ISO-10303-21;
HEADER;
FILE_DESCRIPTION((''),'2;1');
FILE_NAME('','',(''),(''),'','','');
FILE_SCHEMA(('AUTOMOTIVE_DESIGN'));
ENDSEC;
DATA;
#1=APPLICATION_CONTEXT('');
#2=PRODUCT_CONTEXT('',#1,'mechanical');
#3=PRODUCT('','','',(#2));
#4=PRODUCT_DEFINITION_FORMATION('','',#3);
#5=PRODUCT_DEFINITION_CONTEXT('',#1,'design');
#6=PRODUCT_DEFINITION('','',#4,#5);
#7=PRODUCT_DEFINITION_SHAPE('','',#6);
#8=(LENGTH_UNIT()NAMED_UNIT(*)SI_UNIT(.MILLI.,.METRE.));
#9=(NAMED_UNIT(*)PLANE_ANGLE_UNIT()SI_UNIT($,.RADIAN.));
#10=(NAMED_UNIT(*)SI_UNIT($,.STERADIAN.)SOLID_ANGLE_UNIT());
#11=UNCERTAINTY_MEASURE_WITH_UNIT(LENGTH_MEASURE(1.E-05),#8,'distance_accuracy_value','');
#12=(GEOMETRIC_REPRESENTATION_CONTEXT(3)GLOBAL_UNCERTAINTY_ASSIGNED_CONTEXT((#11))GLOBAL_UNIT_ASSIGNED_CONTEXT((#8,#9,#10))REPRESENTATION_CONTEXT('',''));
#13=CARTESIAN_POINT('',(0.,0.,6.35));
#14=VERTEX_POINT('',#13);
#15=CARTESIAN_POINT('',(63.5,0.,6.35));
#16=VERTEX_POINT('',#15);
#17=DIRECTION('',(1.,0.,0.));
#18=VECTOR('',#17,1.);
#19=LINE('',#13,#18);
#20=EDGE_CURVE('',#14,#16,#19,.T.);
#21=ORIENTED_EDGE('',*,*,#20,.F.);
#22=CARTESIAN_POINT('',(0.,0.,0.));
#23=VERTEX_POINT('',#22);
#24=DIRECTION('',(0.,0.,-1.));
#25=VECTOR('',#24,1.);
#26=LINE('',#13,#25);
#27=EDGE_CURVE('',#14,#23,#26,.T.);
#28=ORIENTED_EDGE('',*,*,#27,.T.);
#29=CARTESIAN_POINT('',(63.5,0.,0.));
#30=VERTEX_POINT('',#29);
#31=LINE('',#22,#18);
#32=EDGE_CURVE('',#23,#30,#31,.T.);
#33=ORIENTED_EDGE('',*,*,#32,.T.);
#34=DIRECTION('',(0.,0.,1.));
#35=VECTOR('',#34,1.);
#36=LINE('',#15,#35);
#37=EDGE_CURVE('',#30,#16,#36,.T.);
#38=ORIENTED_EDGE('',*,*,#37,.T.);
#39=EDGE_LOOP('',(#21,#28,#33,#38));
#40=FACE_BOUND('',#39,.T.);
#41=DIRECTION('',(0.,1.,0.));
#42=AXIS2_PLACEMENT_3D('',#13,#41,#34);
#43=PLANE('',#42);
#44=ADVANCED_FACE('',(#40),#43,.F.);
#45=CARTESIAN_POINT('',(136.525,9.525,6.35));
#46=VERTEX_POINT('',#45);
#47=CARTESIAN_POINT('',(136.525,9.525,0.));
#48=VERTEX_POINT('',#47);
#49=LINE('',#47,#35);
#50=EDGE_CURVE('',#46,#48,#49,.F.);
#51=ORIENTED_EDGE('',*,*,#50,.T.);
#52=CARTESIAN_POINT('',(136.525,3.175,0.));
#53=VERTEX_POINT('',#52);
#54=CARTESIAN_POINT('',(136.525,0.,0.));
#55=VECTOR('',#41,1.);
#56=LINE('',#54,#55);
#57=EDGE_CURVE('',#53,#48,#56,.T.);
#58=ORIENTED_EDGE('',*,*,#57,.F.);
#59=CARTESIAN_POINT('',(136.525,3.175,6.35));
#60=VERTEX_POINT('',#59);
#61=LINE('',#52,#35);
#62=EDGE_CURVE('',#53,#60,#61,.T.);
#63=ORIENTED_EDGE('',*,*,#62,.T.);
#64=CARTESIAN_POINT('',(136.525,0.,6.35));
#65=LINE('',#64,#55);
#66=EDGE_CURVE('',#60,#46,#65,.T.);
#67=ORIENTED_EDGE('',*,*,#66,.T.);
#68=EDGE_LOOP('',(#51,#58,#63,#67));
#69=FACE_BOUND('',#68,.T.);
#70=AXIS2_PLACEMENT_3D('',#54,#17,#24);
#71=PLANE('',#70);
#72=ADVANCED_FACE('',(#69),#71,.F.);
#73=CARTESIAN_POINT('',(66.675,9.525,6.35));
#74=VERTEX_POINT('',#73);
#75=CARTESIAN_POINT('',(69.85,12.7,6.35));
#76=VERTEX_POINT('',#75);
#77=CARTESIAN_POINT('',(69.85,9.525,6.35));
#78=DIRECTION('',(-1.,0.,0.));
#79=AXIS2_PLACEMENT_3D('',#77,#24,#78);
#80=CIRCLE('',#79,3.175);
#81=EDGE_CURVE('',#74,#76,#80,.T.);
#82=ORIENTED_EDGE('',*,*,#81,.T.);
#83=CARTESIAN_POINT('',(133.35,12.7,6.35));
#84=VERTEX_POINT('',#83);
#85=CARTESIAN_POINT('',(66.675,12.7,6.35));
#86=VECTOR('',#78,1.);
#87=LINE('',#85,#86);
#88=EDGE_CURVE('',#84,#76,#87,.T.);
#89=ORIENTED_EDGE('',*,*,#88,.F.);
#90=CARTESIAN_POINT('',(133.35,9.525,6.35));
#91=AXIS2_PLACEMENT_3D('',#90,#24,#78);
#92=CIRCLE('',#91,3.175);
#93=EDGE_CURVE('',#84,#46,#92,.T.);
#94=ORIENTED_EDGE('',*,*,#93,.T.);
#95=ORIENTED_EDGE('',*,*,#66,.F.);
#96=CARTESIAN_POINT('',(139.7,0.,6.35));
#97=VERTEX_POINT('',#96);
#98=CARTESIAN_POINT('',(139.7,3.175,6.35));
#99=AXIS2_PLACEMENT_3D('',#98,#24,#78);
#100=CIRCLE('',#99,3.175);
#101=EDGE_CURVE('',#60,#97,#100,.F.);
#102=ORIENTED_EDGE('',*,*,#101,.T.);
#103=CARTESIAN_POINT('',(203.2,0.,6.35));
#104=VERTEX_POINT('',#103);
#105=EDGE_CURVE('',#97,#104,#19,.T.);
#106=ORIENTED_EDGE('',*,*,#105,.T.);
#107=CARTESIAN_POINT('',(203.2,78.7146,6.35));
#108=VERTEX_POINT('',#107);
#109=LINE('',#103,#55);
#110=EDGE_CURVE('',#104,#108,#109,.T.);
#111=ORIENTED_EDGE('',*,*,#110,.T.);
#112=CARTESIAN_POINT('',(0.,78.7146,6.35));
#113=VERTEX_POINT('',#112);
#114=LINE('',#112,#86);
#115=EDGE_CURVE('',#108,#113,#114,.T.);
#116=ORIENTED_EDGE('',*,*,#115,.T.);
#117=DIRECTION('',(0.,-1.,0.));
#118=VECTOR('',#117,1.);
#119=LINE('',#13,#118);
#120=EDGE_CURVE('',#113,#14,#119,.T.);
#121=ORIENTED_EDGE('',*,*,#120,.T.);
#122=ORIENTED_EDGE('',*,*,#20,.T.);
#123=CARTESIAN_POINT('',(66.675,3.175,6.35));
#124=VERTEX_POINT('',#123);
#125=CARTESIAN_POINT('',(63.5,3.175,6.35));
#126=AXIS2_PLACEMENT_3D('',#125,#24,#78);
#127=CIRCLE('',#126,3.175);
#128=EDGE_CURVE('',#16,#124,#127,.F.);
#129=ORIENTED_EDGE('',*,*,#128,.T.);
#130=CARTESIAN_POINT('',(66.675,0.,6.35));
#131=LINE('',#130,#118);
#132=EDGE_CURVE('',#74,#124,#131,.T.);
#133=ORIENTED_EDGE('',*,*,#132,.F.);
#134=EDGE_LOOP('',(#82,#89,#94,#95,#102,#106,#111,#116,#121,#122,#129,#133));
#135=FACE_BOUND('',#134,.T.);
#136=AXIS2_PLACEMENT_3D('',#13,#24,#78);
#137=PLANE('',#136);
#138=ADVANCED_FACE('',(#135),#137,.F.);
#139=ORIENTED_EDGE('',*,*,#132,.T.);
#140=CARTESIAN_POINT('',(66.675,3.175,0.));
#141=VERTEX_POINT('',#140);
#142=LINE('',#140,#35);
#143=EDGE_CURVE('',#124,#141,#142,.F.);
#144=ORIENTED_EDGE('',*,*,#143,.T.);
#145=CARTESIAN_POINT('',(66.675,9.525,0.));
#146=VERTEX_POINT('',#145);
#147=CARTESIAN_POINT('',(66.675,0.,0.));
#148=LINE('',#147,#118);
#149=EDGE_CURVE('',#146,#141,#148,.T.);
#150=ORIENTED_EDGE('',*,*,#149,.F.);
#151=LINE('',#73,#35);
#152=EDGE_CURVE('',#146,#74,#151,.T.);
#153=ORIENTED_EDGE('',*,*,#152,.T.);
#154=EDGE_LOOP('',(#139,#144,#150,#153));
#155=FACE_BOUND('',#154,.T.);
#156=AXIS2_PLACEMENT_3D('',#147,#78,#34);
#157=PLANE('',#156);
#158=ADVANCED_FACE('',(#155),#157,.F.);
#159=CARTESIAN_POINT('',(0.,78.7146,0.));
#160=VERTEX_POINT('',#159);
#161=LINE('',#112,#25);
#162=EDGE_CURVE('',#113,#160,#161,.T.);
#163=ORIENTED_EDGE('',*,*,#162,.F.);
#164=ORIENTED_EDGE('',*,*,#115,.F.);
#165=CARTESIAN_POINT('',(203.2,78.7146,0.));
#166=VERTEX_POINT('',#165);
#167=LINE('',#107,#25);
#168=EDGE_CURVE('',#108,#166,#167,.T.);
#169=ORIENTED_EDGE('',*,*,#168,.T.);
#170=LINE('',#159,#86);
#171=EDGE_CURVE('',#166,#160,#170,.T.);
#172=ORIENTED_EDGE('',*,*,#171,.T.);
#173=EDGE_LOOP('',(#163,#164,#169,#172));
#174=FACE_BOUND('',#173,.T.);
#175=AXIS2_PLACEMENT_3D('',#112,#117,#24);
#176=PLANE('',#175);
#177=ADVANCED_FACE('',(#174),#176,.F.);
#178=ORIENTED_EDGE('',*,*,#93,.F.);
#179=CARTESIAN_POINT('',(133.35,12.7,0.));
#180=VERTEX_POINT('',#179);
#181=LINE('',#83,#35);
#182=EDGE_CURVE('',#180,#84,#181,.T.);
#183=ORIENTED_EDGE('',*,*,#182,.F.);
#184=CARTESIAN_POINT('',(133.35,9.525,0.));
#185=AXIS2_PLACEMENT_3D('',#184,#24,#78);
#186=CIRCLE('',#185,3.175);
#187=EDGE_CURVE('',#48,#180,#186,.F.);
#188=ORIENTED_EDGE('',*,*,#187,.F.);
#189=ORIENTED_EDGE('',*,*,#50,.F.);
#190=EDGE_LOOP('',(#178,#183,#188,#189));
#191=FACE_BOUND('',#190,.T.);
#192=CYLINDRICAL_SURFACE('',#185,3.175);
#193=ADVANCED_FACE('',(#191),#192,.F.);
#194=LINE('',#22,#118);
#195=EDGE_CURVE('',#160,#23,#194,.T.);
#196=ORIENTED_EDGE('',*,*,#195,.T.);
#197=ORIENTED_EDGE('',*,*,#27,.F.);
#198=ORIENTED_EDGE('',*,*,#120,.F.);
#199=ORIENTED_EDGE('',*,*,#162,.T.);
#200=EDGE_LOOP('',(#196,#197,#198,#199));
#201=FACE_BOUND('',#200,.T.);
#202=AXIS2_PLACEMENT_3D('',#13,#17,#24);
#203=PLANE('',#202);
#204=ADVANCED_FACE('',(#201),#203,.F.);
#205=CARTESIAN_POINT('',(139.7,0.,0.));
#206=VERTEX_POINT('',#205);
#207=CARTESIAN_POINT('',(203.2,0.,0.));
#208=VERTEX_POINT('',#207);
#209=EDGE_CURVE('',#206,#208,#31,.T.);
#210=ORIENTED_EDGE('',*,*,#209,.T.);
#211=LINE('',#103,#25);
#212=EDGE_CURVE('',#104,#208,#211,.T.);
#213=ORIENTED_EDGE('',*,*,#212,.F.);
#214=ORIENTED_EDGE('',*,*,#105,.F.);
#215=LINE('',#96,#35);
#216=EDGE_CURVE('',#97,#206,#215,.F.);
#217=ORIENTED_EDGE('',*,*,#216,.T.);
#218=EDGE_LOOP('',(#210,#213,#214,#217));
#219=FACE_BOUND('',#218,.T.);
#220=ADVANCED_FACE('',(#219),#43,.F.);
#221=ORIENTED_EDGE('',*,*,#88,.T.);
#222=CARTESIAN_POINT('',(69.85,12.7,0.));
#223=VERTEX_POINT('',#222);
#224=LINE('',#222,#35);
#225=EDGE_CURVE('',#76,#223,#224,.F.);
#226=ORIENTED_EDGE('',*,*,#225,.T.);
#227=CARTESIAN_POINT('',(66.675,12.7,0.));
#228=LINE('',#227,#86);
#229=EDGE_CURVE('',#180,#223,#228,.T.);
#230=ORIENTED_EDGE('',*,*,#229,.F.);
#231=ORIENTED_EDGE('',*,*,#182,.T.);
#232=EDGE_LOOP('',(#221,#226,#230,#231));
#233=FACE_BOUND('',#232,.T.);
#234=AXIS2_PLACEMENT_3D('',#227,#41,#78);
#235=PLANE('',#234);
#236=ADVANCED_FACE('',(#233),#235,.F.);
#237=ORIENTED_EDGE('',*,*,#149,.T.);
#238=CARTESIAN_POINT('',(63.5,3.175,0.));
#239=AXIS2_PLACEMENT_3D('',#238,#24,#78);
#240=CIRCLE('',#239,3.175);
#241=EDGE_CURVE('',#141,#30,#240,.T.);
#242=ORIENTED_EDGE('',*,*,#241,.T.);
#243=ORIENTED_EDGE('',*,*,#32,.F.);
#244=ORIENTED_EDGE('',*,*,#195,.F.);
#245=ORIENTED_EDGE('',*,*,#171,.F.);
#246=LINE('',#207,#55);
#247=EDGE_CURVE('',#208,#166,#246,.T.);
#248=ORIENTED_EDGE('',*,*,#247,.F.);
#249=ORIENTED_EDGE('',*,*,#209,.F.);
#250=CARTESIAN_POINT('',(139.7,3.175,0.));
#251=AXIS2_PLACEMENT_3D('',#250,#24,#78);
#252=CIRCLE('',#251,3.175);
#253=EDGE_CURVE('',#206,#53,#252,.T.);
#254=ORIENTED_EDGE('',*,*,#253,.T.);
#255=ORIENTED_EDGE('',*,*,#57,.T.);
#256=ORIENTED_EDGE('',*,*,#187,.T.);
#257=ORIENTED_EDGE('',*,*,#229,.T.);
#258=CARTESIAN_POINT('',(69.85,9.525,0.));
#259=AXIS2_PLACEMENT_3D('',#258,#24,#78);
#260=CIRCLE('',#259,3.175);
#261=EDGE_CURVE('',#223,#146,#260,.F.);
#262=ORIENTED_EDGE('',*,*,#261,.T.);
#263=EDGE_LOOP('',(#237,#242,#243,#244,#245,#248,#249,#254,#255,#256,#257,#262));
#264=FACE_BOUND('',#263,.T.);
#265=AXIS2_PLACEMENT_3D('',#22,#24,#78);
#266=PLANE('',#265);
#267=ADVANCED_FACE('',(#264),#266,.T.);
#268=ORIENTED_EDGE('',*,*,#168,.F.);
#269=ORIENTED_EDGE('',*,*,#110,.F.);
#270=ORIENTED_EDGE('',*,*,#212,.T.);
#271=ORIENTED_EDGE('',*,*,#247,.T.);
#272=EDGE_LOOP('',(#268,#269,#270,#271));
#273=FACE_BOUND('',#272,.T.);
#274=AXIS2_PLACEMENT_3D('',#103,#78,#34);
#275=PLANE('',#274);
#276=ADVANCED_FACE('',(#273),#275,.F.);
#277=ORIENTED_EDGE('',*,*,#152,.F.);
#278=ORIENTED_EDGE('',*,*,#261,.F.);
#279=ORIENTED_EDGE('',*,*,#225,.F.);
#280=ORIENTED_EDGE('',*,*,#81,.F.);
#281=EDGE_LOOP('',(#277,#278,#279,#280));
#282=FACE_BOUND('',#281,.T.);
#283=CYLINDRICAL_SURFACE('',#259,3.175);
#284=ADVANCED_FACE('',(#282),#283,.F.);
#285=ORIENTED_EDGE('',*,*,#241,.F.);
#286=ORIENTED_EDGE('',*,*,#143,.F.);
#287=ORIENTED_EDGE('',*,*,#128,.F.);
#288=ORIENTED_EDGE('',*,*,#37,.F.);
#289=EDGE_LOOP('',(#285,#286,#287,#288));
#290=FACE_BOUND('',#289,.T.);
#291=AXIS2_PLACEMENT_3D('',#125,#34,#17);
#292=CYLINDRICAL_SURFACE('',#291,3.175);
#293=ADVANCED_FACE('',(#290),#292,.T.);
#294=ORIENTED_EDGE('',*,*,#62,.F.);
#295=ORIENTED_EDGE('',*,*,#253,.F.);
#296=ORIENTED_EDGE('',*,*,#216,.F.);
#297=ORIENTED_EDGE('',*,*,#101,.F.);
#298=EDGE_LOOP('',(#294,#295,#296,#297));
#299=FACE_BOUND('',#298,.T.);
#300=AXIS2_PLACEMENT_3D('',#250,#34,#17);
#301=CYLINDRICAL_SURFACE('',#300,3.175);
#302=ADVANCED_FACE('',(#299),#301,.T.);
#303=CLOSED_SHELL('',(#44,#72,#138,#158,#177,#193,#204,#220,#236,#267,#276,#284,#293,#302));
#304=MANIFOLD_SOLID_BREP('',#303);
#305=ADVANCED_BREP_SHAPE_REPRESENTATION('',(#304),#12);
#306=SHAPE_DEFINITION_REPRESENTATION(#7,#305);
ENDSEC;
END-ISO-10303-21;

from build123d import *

# Parameters (mm, degrees)
SKETCH1_W           = 203.2
SKETCH1_H           = 78.7146
BOSS_EXTRUDE1_DEPTH = 6.35
SKETCH2_W           = 69.85
SKETCH2_H           = 12.7
CUT_EXTRUDE1_DEPTH  = 219.005850273
FILLET1_R           = 3.175


with BuildPart() as part:
    # Sketch1 → Boss-Extrude1 (new body)
    with BuildSketch(Plane.XY):
        with Locations((101.6, 39.3573)):
            Rectangle(SKETCH1_W, SKETCH1_H)
    extrude(amount=BOSS_EXTRUDE1_DEPTH)

    # Sketch2 → Cut-Extrude1 (cut, through all)
    with BuildSketch(Plane.XY.offset(6.35)):
        with Locations((101.6, 6.35)):
            Rectangle(SKETCH2_W, SKETCH2_H)
    extrude(amount=-CUT_EXTRUDE1_DEPTH, mode=Mode.SUBTRACT)

    # Fillet1
    fillet1_edges = [part.edges().sort_by_distance(p)[0] for p in [
        (66.675, 0, 3.175),
        (66.675, 12.7, 3.175),
        (136.525, 12.7, 3.175),
        (136.525, 0, 3.175),
    ]]
    fillet(fillet1_edges, radius=FILLET1_R)


solid = part.part
